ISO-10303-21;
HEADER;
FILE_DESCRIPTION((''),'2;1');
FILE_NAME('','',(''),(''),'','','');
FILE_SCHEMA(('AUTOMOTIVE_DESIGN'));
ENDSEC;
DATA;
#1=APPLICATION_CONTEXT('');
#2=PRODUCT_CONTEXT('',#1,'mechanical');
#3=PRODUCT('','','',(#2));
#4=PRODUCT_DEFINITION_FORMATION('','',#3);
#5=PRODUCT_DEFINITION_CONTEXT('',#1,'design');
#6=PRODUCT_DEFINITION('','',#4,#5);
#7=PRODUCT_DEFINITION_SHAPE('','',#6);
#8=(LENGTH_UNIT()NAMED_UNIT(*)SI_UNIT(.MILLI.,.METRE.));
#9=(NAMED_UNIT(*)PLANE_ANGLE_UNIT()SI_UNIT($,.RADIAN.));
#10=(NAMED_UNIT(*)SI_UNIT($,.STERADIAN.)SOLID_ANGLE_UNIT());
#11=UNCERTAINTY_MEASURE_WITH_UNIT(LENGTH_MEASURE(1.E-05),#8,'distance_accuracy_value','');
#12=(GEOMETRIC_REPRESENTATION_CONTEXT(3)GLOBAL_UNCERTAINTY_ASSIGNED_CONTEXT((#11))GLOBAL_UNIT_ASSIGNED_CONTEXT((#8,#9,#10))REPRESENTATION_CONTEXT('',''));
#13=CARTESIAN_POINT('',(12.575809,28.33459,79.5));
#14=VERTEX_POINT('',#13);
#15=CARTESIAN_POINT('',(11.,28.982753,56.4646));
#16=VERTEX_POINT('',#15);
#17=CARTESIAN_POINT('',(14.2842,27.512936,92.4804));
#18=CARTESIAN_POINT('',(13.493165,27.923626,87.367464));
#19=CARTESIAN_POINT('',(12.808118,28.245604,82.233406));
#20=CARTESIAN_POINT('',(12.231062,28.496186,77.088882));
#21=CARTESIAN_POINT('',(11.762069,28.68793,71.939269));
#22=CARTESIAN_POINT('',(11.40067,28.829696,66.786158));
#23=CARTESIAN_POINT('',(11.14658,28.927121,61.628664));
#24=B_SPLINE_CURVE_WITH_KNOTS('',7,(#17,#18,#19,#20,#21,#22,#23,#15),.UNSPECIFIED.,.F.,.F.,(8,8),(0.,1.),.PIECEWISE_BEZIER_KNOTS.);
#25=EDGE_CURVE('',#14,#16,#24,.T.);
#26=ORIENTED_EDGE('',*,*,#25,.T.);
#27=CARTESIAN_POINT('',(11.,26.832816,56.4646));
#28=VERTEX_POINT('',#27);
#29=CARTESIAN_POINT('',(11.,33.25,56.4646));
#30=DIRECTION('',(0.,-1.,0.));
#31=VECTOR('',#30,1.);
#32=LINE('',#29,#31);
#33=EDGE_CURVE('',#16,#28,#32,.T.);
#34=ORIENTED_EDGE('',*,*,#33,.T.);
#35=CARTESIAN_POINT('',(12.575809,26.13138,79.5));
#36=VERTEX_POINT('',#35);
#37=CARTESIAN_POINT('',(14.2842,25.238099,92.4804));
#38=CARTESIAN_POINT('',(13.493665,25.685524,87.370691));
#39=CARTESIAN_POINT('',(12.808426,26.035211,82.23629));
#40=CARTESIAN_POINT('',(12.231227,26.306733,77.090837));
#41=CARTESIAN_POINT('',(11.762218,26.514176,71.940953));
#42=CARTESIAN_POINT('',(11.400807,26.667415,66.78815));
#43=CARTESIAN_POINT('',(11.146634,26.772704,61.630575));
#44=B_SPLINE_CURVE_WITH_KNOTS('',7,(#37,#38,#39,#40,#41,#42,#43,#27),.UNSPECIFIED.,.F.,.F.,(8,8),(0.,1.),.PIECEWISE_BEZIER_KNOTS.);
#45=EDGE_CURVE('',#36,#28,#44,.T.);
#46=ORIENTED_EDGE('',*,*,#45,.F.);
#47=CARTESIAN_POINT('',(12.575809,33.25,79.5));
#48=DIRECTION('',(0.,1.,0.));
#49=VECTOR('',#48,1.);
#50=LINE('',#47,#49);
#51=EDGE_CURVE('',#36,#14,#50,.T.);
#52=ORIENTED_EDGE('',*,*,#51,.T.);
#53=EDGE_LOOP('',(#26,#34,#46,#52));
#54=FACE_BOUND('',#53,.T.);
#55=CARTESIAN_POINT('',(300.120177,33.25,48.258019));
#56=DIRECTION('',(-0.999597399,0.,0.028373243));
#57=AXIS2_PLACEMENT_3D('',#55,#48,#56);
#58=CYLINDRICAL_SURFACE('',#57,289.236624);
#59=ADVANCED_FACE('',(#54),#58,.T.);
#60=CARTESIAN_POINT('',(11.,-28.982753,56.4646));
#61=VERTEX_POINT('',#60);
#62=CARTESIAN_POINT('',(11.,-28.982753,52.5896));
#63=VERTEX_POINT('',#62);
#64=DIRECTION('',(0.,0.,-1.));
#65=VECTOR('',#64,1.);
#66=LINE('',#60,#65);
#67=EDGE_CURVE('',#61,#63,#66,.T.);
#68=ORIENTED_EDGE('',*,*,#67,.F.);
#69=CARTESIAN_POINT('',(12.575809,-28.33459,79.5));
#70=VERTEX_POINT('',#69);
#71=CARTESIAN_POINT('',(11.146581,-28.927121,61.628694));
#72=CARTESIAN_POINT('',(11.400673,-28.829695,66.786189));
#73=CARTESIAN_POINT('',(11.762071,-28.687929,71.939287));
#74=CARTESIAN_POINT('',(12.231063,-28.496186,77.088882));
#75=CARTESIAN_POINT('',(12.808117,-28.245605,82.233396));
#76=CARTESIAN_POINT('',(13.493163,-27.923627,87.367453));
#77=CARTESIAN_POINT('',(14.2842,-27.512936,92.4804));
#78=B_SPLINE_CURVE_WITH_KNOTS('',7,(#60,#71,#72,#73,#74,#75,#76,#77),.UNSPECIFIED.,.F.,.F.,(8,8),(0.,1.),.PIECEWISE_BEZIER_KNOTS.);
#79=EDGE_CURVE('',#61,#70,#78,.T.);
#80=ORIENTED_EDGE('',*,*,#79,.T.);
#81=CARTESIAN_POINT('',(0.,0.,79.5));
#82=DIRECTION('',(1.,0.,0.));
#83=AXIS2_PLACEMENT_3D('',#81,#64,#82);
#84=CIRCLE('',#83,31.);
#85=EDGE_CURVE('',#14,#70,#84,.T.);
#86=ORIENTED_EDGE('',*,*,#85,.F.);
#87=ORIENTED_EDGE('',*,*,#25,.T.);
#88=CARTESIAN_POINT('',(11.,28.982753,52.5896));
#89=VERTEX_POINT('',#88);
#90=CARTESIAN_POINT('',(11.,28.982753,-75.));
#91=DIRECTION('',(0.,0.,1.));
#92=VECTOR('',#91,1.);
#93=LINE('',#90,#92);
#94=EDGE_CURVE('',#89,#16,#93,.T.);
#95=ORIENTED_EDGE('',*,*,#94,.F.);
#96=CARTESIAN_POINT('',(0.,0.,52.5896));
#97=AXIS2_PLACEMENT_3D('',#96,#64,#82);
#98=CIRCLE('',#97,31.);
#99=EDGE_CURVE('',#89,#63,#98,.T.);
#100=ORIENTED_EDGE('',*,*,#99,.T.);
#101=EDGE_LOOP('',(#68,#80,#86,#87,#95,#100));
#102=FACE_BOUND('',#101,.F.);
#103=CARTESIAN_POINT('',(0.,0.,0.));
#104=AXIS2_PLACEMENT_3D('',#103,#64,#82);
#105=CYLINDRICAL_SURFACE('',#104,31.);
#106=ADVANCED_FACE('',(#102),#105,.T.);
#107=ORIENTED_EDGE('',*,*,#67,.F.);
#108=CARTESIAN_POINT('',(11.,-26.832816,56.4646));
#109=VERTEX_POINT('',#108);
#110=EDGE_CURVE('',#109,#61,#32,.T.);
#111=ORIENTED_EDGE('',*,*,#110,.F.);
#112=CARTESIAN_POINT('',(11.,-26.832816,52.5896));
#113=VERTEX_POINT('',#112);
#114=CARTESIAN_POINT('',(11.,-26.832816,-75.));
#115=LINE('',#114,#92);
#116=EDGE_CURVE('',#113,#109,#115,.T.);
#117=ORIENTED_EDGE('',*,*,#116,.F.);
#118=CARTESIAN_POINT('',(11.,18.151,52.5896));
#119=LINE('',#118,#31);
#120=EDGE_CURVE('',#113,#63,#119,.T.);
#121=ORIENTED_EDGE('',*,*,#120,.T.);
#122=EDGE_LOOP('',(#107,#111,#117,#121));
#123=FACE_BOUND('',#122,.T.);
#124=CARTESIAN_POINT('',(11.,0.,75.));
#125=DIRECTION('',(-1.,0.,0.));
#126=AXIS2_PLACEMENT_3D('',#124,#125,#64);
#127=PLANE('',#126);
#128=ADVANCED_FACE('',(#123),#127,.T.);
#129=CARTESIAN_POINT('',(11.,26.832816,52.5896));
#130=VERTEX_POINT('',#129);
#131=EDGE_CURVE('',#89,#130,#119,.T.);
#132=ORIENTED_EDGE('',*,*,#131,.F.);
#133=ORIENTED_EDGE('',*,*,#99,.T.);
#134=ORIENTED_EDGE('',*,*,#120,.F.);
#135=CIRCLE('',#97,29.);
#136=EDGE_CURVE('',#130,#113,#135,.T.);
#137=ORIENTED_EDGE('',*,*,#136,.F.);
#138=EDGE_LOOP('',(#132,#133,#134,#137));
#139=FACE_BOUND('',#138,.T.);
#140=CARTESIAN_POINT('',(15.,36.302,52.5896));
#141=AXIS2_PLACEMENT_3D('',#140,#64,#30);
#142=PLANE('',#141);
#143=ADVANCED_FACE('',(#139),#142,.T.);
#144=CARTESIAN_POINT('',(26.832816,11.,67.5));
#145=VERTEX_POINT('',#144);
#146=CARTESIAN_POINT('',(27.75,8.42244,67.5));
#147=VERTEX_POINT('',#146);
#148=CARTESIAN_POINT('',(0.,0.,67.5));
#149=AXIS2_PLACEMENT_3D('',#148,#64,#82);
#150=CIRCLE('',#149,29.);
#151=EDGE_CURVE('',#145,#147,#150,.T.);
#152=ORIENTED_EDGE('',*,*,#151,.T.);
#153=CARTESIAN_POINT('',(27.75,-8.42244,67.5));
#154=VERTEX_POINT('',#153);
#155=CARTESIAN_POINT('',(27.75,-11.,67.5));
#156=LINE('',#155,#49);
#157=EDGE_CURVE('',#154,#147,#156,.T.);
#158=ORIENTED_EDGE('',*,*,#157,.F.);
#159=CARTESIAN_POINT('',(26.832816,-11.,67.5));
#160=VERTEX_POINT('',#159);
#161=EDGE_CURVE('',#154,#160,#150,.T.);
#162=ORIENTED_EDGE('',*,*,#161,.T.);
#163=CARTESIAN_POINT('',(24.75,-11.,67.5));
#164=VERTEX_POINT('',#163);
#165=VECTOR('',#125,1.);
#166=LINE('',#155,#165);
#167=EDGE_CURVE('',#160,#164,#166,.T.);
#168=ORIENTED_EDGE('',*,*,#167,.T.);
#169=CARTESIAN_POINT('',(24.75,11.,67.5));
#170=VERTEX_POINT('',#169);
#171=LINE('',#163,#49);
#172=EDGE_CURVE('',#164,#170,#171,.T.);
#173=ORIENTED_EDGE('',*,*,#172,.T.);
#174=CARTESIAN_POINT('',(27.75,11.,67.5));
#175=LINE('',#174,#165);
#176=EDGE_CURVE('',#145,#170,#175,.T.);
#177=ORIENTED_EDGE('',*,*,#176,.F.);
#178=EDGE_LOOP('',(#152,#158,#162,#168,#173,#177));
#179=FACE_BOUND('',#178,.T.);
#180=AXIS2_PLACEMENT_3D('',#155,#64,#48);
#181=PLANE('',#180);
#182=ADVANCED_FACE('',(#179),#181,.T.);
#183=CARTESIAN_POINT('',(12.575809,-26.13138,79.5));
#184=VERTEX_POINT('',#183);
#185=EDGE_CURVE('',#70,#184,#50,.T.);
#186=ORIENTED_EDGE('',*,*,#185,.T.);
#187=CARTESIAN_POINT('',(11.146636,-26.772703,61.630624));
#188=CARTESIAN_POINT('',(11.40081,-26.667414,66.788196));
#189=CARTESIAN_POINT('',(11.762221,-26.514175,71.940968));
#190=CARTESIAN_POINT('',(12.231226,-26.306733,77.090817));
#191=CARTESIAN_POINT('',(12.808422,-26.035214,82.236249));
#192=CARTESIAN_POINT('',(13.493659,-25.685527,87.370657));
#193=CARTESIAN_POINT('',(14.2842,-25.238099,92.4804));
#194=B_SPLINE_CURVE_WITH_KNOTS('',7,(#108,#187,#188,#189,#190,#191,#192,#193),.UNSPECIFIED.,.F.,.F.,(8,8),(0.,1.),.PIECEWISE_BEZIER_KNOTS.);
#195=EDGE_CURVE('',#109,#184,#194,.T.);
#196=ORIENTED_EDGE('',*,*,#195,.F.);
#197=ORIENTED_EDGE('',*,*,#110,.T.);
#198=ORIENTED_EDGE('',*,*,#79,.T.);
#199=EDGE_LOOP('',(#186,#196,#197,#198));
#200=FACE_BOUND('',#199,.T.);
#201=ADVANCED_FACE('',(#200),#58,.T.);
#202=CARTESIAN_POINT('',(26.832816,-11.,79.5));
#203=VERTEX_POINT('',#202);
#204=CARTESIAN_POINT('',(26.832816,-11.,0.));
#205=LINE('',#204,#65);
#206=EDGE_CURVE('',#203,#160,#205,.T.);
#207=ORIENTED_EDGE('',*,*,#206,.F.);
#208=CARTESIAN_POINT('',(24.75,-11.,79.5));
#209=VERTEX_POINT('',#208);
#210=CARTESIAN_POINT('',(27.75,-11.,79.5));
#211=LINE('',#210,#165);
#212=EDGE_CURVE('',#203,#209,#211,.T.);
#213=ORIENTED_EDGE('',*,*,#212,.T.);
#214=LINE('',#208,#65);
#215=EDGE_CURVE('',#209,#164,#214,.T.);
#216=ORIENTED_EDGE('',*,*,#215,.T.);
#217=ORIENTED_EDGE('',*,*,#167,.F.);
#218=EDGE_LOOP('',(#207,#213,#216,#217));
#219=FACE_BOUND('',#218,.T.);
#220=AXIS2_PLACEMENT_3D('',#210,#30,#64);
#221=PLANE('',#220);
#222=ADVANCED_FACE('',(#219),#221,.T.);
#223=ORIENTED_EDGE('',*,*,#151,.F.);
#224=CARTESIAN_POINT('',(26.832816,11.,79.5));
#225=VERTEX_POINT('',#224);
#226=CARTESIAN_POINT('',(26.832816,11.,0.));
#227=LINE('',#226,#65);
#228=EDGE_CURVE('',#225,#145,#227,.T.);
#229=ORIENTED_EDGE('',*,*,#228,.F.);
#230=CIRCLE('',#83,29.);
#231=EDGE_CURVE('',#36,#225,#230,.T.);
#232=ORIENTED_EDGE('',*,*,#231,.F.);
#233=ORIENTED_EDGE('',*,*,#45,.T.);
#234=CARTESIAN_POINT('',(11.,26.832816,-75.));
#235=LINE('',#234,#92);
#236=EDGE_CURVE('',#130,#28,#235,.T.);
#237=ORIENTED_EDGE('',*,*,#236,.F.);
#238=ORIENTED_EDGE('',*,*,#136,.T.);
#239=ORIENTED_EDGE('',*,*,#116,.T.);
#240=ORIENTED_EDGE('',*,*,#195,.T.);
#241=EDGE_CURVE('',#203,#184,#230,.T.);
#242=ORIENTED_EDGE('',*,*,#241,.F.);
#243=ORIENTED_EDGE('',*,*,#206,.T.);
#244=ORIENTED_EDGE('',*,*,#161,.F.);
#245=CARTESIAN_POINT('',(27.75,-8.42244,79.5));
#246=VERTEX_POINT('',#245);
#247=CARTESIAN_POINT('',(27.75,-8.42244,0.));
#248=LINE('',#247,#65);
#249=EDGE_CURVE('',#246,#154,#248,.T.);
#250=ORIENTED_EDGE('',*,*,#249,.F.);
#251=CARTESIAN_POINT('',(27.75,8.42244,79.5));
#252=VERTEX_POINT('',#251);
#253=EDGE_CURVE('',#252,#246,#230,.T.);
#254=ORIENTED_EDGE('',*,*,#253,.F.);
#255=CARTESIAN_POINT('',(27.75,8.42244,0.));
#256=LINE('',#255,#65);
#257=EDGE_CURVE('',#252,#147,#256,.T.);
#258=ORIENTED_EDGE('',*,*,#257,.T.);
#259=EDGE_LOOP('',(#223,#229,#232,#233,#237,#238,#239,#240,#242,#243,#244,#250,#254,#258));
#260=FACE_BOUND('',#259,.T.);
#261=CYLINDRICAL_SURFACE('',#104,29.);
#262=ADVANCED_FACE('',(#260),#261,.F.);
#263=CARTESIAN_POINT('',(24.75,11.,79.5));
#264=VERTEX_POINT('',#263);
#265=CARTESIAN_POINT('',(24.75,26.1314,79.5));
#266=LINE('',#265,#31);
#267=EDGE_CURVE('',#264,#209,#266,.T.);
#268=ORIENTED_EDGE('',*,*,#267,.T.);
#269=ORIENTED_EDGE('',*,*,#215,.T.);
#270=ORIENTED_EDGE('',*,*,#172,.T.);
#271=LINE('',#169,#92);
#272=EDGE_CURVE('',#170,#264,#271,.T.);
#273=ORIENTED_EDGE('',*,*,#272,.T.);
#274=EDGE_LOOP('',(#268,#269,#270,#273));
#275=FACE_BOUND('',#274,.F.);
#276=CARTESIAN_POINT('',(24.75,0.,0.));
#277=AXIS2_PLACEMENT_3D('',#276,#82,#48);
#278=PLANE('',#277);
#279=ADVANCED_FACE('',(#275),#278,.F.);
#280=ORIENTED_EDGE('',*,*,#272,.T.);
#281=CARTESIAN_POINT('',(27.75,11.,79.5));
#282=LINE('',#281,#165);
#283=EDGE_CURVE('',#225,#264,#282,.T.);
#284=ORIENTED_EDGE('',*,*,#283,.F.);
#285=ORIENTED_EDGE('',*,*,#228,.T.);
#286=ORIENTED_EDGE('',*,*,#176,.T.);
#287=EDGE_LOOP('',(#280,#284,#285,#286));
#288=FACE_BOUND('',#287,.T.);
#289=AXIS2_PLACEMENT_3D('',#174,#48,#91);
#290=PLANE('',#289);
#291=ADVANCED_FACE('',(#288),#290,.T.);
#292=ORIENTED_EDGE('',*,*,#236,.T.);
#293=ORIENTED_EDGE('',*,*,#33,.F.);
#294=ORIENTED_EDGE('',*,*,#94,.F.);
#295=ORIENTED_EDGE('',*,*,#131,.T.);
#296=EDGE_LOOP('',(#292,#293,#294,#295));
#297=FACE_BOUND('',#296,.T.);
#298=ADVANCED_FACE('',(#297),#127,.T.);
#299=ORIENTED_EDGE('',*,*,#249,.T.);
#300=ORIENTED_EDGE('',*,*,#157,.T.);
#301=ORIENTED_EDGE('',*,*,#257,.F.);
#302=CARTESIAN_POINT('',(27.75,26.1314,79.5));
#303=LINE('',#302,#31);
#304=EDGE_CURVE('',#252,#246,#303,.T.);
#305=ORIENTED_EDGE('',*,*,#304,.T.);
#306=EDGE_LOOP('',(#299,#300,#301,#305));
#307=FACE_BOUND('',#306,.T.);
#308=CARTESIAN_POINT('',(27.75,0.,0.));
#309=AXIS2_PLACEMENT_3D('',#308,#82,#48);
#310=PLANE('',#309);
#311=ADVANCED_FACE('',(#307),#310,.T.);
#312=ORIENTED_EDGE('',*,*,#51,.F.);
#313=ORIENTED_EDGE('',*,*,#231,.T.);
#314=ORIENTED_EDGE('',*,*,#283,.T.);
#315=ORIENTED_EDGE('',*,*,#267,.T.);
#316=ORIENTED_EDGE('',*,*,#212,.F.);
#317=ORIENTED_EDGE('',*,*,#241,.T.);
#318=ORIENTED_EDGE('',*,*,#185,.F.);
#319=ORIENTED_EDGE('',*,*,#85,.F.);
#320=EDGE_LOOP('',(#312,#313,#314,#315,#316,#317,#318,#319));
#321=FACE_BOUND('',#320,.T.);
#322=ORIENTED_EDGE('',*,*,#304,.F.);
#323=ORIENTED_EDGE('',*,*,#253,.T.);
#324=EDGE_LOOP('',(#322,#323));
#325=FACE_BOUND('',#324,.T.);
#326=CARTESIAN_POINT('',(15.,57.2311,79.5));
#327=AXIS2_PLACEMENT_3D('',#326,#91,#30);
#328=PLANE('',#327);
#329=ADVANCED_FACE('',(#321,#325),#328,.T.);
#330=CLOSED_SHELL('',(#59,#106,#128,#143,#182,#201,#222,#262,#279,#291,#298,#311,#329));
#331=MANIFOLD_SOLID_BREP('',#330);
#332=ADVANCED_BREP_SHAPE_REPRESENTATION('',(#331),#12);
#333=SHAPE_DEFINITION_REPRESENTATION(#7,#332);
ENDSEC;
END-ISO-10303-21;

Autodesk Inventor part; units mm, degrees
ref_plane "XY Plane" through (0, 0, 0) normal (0, 0, 1) x (1, 0, 0)
sketch "Skizze1" plane through (0, 0, 0) normal (0, 0, 1) x (1, 0, 0)
  circle A0 centre (0, 0) radius 31
  circle A1 centre (0, 0) radius 29
  dimension "d0" = 62
  dimension "d1" = 58
extrude "Extrusion1" add sketch "Skizze1" along normal mid plane 300
sketch "Skizze2" plane through (0, 0, 0) normal (0, 1, 0) x (-1, 0, 0)
  line L0 (-11, 169.5773) -> (-11, -169.8146) construction
  line L1 (-74.8376, 0) -> (82.6362, 0) construction
  line L2 (-11, 75) -> (-11, -75)
  line L3 (-31, -150) -> (-31, 150) projected
  line L4 (31, 150) -> (-31, 150) projected
  line L5 (-31, -150) -> (31, -150) projected
  spline S0 degree 2 poles (-11, 75) (-17.8298, 136.4739) (-72.8449, 128.3193) knots 0 0 0 1 1 1
  spline S1 degree 2 poles (-11, -75) (-17.6171, -136.2673) (-74.8376, -130) knots 0 0 0 1 1 1
  line L6 (-72.8449, 128.3193) -> (-74.8376, -130)
  line L7 (-31, 120) -> (-31, 150)
  line L8 (-31, 150) -> (31, 150)
  line L9 (31, 150) -> (31, -150)
  line L10 (31, -150) -> (31, 150) projected
  line L11 (31, -150) -> (-31, -150)
  line L12 (-31, -150) -> (-31, -120)
  point P0 (0, 0)
  dimension "d4" = 11
  dimension "d5" = 150
  dimension "d6" = 30
  dimension "d7" = 30
extrude "Extrusion3" cut sketch "Skizze2" along normal mid plane 100 contours S0 L3 L4 L9 L5 S1 L2
ref_plane "Arbeitsebene3" through (0, 33.25, 0) normal (0, 1, 0) x (-1, 0, 0)
sketch "Skizze8" plane through (0, 33.25, 0) normal (0, 1, 0) x (-1, 0, 0)
  line L0 (-11, -75) -> (-11, 75) projected
  arc A0 (-11, 56.4646) -> (-14.2842, 92.4804) centre (-300.1138, 48.2584) ccw
  arc A1 (-11, 56.4646) -> (-14.2842, 92.4804) centre (-31.6354, 72.7405) ccw
  point P0 (0, 0)
extrude "Extrusion6" cut sketch "Skizze8" against normal blind 65
mirror "Spiegeln2" about plane through (0, 0, 0) normal (0, 0, 1) of "Extrusion6"
ref_plane "Arbeitsebene7" through (15, 0, 0) normal (1, 0, 0) x (0, 1, 0)
sketch "Skizze16" plane through (15, 0, 0) normal (1, 0, 0) x (0, 1, 0)
  line L0 (80.6197, 79.5) -> (-53.6874, 79.5) construction
  line L1 (57.2311, 79.5) -> (-60.0661, 79.5)
  line L2 (-60.0661, 79.5) -> (-60.0661, 136.8193)
  line L3 (-60.0661, 136.8193) -> (57.2311, 136.8193)
  line L4 (57.2311, 136.8193) -> (57.2311, 79.5)
  point P0 (0, 0)
  point P1 (0, 120)
  dimension "d83" = 40.5
extrude "Extrusion15" cut sketch "Skizze16" against normal mid plane 35
ref_plane "Arbeitsebene8" through (27.75, 0, 0) normal (1, 0, 0) x (0, 1, 0)
sketch "Skizze17" plane through (27.75, 0, 0) normal (1, 0, 0) x (0, 1, 0)
  line L0 (0, 106.4673) -> (0, -19.1283) construction
  line L1 (26.1314, 79.5) -> (-26.1314, 79.5) projected
  line L2 (11, 79.5) -> (-11, 79.5)
  line L3 (-11, 79.5) -> (-11, 67.5)
  line L4 (-11, 67.5) -> (11, 67.5)
  line L5 (11, 67.5) -> (11, 79.5)
  point P0 (0, 0)
  dimension "d87" = 12
  dimension "d88" = 22
extrude "Extrusion16" add sketch "Skizze17" against normal blind 3
sketch "Skizze18" plane through (15, 0, 0) normal (1, 0, 0) x (0, 1, 0)
  line L0 (36.302, 52.5896) -> (-53.6938, 52.5896)
  line L1 (-53.6938, 52.5896) -> (-53.6938, -134.0275)
  line L2 (-53.6938, -134.0275) -> (36.302, -134.0275)
  line L3 (36.302, -134.0275) -> (36.302, 52.5896)
  point P0 (0, 0)
extrude "Extrusion17" cut sketch "Skizze18" along normal mid plane 35
properties part number "_3D-Druck"
